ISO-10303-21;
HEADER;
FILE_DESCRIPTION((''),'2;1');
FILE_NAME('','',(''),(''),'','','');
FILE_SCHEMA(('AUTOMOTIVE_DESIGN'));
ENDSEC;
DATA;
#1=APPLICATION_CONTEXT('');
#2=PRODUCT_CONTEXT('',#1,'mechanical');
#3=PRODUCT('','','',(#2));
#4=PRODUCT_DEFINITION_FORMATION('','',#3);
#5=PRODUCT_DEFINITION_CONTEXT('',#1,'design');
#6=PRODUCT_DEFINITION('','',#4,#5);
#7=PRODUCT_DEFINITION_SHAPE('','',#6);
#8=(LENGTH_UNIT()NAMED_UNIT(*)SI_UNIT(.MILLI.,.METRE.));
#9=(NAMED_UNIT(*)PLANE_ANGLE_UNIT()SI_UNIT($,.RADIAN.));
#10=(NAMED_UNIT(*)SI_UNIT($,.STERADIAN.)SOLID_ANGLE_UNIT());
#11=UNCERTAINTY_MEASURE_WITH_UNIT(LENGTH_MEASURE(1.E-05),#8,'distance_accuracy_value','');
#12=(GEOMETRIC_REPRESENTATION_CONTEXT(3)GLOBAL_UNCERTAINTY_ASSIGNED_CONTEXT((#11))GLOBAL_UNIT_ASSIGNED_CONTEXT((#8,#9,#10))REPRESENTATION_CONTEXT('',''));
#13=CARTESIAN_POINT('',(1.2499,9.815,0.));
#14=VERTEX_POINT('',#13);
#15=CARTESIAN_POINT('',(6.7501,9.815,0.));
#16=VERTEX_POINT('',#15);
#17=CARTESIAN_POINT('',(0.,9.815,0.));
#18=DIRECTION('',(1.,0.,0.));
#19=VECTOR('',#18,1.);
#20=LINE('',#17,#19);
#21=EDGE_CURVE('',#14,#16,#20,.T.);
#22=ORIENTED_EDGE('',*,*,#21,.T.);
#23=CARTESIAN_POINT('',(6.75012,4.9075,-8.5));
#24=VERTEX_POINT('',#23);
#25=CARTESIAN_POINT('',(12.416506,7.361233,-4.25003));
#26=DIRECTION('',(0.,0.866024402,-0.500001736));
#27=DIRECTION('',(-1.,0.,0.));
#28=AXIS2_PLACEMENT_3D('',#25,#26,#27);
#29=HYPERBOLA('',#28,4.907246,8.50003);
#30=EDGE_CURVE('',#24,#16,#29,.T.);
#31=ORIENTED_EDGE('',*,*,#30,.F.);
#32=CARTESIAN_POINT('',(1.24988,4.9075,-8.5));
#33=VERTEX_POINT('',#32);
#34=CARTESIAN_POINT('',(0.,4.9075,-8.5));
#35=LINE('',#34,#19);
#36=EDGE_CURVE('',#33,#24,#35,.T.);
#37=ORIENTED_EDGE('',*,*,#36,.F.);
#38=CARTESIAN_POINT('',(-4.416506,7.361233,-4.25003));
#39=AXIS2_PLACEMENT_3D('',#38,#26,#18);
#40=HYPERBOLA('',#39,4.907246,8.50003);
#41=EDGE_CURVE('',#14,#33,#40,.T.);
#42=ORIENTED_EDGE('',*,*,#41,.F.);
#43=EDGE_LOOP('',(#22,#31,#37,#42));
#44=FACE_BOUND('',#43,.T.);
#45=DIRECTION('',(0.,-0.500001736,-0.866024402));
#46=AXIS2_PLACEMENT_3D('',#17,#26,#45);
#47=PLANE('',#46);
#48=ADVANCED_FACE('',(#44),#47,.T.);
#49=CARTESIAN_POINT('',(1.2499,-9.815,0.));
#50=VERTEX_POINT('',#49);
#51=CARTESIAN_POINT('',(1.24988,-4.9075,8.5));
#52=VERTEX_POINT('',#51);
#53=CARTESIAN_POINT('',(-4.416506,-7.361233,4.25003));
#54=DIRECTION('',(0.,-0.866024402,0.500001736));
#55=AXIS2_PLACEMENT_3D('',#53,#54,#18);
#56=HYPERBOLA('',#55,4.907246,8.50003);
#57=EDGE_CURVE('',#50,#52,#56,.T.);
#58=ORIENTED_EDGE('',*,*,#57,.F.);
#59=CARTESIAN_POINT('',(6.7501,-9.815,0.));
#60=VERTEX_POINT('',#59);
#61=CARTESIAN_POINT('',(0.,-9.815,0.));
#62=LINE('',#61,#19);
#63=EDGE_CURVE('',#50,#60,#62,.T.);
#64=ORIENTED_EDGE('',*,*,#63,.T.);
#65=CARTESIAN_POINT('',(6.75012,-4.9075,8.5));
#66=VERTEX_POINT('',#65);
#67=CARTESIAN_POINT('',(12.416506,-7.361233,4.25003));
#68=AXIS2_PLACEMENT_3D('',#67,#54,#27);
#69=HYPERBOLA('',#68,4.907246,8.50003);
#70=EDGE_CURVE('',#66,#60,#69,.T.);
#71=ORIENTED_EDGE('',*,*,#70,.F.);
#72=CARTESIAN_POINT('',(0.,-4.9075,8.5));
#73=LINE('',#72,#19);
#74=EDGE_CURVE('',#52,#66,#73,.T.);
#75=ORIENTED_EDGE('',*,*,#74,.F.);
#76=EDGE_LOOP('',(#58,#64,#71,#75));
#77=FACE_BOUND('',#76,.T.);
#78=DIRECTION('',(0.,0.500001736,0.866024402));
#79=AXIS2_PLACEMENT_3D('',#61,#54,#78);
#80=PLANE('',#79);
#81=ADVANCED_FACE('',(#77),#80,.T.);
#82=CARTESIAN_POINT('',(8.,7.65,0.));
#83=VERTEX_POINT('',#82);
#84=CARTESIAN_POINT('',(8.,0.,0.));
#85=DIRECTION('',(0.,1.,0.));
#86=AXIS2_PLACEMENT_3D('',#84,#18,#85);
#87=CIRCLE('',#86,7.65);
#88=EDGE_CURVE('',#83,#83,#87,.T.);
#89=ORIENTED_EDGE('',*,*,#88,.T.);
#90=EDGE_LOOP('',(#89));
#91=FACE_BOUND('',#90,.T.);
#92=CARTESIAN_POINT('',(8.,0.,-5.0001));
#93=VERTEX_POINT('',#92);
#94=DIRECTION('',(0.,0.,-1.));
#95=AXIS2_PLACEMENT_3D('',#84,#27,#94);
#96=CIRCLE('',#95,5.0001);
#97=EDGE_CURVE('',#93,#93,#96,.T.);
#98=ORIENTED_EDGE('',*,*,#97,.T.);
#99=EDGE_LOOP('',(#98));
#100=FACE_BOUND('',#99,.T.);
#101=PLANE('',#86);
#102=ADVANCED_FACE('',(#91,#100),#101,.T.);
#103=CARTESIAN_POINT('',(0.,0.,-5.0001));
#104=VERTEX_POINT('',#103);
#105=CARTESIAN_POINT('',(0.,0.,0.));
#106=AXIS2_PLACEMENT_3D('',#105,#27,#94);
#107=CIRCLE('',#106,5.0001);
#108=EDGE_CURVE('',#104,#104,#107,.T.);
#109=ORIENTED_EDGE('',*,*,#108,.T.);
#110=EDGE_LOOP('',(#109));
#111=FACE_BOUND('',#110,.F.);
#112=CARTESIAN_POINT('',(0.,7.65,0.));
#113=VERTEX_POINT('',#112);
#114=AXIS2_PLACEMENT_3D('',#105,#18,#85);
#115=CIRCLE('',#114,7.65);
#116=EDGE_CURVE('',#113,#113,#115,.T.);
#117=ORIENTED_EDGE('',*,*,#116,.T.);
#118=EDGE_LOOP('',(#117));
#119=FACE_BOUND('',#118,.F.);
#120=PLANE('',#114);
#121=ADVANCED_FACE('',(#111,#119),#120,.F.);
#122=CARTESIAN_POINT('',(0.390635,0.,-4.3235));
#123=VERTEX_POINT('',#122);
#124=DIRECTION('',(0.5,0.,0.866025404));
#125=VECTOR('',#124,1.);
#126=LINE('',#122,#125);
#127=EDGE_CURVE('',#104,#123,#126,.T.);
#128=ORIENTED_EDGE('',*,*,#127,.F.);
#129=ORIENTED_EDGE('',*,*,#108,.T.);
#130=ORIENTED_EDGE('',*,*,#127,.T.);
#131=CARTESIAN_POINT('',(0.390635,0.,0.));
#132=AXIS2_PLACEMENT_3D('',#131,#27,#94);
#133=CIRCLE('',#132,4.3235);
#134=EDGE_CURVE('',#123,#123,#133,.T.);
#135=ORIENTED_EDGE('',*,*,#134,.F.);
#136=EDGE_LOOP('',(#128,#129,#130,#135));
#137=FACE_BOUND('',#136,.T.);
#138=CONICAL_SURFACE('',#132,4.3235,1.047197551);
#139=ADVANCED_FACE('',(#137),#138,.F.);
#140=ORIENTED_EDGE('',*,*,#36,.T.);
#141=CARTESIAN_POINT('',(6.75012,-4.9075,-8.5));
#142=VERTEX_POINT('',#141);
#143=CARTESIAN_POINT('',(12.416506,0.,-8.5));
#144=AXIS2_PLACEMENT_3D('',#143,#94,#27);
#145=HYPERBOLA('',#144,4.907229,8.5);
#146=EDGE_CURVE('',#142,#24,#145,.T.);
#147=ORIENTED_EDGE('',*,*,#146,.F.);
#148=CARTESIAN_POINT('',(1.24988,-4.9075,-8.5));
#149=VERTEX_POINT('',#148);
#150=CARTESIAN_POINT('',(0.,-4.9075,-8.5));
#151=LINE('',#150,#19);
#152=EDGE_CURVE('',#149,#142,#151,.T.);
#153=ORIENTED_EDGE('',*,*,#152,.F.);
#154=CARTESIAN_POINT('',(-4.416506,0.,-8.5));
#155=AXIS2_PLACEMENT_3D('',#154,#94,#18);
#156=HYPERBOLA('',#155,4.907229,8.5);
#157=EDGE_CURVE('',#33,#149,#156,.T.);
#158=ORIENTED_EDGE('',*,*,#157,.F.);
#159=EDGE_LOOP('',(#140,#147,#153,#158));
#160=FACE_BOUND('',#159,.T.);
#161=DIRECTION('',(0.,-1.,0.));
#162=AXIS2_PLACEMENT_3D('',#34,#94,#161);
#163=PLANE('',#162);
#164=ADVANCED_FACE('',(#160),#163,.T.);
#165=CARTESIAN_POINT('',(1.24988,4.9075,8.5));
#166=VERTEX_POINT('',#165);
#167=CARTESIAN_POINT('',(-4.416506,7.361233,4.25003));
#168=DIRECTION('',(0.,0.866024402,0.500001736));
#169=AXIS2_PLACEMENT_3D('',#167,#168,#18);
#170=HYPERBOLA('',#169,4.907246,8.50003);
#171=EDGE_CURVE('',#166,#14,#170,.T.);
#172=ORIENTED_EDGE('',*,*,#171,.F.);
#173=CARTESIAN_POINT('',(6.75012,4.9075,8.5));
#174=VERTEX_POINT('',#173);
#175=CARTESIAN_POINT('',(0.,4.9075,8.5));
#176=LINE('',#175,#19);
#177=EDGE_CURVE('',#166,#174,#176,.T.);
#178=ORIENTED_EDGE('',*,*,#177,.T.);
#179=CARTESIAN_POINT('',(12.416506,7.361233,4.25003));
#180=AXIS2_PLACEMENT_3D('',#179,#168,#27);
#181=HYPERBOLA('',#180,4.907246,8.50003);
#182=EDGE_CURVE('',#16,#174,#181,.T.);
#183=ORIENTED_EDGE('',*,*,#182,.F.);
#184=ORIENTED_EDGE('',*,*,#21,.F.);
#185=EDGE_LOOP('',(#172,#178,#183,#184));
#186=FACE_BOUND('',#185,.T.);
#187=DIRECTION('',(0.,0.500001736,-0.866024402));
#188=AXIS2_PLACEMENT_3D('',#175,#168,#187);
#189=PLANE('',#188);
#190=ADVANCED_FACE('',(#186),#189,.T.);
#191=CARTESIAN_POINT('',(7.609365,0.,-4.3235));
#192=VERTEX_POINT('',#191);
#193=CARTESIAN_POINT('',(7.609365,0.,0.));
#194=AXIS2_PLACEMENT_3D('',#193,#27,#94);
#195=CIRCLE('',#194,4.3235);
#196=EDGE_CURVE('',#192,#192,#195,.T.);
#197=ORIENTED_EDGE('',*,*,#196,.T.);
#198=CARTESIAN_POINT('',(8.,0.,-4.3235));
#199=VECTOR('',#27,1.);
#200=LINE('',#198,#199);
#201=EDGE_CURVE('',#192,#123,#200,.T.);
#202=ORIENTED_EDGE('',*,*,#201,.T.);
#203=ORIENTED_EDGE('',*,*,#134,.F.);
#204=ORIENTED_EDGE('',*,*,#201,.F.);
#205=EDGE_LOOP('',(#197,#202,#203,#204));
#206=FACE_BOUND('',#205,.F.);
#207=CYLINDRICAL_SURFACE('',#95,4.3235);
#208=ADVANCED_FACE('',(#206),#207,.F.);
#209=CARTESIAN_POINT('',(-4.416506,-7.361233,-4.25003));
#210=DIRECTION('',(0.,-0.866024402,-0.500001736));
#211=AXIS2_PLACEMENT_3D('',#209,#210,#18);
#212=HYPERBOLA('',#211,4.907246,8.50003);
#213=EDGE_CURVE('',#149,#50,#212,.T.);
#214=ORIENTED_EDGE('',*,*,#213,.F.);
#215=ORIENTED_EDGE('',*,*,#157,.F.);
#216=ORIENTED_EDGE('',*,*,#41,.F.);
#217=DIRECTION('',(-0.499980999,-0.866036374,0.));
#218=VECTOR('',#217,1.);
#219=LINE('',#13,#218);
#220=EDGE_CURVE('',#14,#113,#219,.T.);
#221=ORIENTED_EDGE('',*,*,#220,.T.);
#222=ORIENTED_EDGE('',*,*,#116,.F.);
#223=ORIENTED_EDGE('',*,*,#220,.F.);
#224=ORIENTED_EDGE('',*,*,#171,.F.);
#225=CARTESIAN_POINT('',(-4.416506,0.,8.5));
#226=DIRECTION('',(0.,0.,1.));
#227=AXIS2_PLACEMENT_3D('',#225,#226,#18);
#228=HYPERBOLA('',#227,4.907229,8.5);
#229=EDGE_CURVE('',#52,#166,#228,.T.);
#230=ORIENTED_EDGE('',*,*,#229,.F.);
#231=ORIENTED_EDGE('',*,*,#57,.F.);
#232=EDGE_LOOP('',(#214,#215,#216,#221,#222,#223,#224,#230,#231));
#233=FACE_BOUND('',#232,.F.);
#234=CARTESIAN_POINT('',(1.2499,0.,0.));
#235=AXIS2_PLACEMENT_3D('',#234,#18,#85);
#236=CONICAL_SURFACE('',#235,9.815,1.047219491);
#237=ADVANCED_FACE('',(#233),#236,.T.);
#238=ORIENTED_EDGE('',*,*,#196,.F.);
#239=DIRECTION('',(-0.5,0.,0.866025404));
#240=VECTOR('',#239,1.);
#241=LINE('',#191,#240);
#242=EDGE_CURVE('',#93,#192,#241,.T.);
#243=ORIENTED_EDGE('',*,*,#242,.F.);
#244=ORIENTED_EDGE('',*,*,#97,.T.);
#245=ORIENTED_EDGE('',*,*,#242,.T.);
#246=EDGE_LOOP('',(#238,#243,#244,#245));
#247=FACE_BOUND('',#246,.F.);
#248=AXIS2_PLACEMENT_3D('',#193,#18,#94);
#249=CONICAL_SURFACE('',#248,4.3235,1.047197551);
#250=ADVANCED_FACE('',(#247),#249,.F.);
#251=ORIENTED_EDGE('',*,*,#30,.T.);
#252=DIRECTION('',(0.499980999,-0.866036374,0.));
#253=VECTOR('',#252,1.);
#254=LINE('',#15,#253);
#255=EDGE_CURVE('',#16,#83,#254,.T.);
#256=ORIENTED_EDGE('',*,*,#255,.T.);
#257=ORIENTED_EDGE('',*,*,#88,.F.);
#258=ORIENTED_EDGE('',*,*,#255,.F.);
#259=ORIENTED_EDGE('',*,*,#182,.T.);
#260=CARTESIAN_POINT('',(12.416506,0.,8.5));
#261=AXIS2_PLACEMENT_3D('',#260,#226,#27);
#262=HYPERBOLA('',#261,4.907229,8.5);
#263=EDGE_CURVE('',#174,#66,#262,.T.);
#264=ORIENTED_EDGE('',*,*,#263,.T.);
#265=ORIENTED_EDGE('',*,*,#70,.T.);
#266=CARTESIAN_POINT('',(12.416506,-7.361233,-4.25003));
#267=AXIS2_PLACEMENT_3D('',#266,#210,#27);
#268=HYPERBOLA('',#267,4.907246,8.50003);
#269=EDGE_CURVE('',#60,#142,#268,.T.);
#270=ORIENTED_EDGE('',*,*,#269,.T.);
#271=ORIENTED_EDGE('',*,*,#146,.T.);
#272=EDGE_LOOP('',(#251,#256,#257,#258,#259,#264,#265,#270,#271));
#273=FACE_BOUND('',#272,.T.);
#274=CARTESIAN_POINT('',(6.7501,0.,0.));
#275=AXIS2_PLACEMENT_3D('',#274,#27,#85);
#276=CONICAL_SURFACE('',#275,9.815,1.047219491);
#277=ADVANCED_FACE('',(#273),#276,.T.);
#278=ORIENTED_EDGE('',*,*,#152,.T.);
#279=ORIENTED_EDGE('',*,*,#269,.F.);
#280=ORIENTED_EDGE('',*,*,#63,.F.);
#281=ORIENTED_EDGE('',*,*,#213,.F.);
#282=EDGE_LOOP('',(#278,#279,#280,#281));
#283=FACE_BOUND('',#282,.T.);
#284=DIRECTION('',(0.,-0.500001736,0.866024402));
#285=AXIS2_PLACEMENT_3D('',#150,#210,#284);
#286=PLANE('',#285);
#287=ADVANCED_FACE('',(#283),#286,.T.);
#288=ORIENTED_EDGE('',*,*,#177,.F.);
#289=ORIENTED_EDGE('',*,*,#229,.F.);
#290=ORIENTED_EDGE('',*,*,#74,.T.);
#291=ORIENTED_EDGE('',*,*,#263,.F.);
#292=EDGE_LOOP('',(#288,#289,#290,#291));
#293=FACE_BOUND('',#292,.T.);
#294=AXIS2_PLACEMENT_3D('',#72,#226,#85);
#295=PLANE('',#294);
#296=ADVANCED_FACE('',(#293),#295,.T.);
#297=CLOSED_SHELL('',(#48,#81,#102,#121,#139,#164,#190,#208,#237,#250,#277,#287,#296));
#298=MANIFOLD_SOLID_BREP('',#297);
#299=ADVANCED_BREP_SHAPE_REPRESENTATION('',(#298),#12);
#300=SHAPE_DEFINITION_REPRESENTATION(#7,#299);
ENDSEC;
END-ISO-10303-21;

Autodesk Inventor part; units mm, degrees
ref_plane "YZ Plane" through (0, 0, 0) normal (1, 0, 0) x (0, 1, 0)
ref_plane "XZ Plane" through (0, 0, 0) normal (0, 1, 0) x (-1, 0, 0)
sketch "Sketch1" plane through (0, 0, 0) normal (1, 0, 0) x (0, 1, 0)
  line L0 (-9.815, 0) -> (-4.9075, 8.5)
  line L1 (-4.9075, 8.5) -> (4.9075, 8.5)
  line L2 (4.9075, 8.5) -> (9.815, 0)
  line L3 (9.815, 0) -> (4.9075, -8.5)
  line L4 (4.9075, -8.5) -> (-4.9075, -8.5)
  line L5 (-4.9075, -8.5) -> (-9.815, 0)
  point P0 (0, 0)
  point P1 (0, 0)
  dimension "d0" = 19.6299
extrude "Body" add sketch "Sketch1" along normal blind 8
sketch "Sketch2" plane through (0, 0, 0) normal (0, 0, 1) x (1, 0, 0)
  line L0 (0, 4.9075) -> (0, 9.815) projected
  line L1 (0, 9.815) -> (8, 9.815) projected
  line L2 (8, 4.9075) -> (8, 9.815) projected
  line L3 (-1.6, 0) -> (9.6, 0) projected
  line L4 (1.2499, 9.815) -> (0, 7.65)
  line L5 (6.7501, 9.815) -> (8, 7.65)
  dimension "d3" = 30
  dimension "d4" = 30
  dimension "d5" = 15.3
  dimension "d6" = 15.3
revolve "Chamfer1" cut sketch "Sketch2" angle 360 about axis through (-10, 0, 0) along (1, 0, 0)
sketch "Sketch3" plane through (8, 0, 0) normal (1, 0, 0) x (0, 0, -1)
  arc A0 (-0.625, -1.0825) -> (0.625, -1.0825) centre (0, 0) ccw projected
hole "Thread" at (8, 0, 0) direction (-1, 0, 0) diameter 8.647 end through all thread size "M10x1.25" class "6H" standard "ISO Metric profile"
chamfer "Chamfer2" distance 0.6766 angle 30 1 edges at (8, 0, 4.3235) measured on face at (8, 6.4566, -0.784)
chamfer "Chamfer3" distance 0.6766 angle 30 1 edges at (0, 0, 4.3235) measured on face at (0, 6.4566, -0.784)
ref_plane "Work Plane1" through (-19.2723, 0, 0) normal (0, -0.866, -0.5) x (1, 0, 0)
equation "\"d0\" = 1.1547 * SW"
equation "\"d1\" = KOH"
equation "\"d8\" = -0.5 * GD1 + 0.5 * NND"
equation "\"d40\" = -0.5 * GD1 + 0.5 * NND"
equation "\"d10\" = -0.5 * GD1 + 0.5 * NND"
equation "\"d41\" = -0.5 * GD1 + 0.5 * NND"
equation "\"d3\" = ANG1"
equation "\"d4\" = ANG2"
equation "\"d5\" = SW0"
equation "\"d6\" = SW01"
equation "\"ANG1\" = 30deg"
equation "\"ANG2\" = 30deg"
equation "\"KOH\" = 8"
equation "\"SW\" = 17"
equation "\"SW0\" = SW01"
equation "\"SW01\" = 15.3"
equation "\"GUL\" = 0.541266 * PTC"
equation "\"TOA\" = 30deg"
equation "\"PTC\" = 1.25"
equation "\"E0\" = 1.155 * SW"
equation "\"GAL\" = 0.541266 * PTC"
equation "\"GD1\" = 8.646835"
equation "\"NND\" = 10"
properties part number "DIN 934 - M10 x 1,25" material "Steel, Mild"
